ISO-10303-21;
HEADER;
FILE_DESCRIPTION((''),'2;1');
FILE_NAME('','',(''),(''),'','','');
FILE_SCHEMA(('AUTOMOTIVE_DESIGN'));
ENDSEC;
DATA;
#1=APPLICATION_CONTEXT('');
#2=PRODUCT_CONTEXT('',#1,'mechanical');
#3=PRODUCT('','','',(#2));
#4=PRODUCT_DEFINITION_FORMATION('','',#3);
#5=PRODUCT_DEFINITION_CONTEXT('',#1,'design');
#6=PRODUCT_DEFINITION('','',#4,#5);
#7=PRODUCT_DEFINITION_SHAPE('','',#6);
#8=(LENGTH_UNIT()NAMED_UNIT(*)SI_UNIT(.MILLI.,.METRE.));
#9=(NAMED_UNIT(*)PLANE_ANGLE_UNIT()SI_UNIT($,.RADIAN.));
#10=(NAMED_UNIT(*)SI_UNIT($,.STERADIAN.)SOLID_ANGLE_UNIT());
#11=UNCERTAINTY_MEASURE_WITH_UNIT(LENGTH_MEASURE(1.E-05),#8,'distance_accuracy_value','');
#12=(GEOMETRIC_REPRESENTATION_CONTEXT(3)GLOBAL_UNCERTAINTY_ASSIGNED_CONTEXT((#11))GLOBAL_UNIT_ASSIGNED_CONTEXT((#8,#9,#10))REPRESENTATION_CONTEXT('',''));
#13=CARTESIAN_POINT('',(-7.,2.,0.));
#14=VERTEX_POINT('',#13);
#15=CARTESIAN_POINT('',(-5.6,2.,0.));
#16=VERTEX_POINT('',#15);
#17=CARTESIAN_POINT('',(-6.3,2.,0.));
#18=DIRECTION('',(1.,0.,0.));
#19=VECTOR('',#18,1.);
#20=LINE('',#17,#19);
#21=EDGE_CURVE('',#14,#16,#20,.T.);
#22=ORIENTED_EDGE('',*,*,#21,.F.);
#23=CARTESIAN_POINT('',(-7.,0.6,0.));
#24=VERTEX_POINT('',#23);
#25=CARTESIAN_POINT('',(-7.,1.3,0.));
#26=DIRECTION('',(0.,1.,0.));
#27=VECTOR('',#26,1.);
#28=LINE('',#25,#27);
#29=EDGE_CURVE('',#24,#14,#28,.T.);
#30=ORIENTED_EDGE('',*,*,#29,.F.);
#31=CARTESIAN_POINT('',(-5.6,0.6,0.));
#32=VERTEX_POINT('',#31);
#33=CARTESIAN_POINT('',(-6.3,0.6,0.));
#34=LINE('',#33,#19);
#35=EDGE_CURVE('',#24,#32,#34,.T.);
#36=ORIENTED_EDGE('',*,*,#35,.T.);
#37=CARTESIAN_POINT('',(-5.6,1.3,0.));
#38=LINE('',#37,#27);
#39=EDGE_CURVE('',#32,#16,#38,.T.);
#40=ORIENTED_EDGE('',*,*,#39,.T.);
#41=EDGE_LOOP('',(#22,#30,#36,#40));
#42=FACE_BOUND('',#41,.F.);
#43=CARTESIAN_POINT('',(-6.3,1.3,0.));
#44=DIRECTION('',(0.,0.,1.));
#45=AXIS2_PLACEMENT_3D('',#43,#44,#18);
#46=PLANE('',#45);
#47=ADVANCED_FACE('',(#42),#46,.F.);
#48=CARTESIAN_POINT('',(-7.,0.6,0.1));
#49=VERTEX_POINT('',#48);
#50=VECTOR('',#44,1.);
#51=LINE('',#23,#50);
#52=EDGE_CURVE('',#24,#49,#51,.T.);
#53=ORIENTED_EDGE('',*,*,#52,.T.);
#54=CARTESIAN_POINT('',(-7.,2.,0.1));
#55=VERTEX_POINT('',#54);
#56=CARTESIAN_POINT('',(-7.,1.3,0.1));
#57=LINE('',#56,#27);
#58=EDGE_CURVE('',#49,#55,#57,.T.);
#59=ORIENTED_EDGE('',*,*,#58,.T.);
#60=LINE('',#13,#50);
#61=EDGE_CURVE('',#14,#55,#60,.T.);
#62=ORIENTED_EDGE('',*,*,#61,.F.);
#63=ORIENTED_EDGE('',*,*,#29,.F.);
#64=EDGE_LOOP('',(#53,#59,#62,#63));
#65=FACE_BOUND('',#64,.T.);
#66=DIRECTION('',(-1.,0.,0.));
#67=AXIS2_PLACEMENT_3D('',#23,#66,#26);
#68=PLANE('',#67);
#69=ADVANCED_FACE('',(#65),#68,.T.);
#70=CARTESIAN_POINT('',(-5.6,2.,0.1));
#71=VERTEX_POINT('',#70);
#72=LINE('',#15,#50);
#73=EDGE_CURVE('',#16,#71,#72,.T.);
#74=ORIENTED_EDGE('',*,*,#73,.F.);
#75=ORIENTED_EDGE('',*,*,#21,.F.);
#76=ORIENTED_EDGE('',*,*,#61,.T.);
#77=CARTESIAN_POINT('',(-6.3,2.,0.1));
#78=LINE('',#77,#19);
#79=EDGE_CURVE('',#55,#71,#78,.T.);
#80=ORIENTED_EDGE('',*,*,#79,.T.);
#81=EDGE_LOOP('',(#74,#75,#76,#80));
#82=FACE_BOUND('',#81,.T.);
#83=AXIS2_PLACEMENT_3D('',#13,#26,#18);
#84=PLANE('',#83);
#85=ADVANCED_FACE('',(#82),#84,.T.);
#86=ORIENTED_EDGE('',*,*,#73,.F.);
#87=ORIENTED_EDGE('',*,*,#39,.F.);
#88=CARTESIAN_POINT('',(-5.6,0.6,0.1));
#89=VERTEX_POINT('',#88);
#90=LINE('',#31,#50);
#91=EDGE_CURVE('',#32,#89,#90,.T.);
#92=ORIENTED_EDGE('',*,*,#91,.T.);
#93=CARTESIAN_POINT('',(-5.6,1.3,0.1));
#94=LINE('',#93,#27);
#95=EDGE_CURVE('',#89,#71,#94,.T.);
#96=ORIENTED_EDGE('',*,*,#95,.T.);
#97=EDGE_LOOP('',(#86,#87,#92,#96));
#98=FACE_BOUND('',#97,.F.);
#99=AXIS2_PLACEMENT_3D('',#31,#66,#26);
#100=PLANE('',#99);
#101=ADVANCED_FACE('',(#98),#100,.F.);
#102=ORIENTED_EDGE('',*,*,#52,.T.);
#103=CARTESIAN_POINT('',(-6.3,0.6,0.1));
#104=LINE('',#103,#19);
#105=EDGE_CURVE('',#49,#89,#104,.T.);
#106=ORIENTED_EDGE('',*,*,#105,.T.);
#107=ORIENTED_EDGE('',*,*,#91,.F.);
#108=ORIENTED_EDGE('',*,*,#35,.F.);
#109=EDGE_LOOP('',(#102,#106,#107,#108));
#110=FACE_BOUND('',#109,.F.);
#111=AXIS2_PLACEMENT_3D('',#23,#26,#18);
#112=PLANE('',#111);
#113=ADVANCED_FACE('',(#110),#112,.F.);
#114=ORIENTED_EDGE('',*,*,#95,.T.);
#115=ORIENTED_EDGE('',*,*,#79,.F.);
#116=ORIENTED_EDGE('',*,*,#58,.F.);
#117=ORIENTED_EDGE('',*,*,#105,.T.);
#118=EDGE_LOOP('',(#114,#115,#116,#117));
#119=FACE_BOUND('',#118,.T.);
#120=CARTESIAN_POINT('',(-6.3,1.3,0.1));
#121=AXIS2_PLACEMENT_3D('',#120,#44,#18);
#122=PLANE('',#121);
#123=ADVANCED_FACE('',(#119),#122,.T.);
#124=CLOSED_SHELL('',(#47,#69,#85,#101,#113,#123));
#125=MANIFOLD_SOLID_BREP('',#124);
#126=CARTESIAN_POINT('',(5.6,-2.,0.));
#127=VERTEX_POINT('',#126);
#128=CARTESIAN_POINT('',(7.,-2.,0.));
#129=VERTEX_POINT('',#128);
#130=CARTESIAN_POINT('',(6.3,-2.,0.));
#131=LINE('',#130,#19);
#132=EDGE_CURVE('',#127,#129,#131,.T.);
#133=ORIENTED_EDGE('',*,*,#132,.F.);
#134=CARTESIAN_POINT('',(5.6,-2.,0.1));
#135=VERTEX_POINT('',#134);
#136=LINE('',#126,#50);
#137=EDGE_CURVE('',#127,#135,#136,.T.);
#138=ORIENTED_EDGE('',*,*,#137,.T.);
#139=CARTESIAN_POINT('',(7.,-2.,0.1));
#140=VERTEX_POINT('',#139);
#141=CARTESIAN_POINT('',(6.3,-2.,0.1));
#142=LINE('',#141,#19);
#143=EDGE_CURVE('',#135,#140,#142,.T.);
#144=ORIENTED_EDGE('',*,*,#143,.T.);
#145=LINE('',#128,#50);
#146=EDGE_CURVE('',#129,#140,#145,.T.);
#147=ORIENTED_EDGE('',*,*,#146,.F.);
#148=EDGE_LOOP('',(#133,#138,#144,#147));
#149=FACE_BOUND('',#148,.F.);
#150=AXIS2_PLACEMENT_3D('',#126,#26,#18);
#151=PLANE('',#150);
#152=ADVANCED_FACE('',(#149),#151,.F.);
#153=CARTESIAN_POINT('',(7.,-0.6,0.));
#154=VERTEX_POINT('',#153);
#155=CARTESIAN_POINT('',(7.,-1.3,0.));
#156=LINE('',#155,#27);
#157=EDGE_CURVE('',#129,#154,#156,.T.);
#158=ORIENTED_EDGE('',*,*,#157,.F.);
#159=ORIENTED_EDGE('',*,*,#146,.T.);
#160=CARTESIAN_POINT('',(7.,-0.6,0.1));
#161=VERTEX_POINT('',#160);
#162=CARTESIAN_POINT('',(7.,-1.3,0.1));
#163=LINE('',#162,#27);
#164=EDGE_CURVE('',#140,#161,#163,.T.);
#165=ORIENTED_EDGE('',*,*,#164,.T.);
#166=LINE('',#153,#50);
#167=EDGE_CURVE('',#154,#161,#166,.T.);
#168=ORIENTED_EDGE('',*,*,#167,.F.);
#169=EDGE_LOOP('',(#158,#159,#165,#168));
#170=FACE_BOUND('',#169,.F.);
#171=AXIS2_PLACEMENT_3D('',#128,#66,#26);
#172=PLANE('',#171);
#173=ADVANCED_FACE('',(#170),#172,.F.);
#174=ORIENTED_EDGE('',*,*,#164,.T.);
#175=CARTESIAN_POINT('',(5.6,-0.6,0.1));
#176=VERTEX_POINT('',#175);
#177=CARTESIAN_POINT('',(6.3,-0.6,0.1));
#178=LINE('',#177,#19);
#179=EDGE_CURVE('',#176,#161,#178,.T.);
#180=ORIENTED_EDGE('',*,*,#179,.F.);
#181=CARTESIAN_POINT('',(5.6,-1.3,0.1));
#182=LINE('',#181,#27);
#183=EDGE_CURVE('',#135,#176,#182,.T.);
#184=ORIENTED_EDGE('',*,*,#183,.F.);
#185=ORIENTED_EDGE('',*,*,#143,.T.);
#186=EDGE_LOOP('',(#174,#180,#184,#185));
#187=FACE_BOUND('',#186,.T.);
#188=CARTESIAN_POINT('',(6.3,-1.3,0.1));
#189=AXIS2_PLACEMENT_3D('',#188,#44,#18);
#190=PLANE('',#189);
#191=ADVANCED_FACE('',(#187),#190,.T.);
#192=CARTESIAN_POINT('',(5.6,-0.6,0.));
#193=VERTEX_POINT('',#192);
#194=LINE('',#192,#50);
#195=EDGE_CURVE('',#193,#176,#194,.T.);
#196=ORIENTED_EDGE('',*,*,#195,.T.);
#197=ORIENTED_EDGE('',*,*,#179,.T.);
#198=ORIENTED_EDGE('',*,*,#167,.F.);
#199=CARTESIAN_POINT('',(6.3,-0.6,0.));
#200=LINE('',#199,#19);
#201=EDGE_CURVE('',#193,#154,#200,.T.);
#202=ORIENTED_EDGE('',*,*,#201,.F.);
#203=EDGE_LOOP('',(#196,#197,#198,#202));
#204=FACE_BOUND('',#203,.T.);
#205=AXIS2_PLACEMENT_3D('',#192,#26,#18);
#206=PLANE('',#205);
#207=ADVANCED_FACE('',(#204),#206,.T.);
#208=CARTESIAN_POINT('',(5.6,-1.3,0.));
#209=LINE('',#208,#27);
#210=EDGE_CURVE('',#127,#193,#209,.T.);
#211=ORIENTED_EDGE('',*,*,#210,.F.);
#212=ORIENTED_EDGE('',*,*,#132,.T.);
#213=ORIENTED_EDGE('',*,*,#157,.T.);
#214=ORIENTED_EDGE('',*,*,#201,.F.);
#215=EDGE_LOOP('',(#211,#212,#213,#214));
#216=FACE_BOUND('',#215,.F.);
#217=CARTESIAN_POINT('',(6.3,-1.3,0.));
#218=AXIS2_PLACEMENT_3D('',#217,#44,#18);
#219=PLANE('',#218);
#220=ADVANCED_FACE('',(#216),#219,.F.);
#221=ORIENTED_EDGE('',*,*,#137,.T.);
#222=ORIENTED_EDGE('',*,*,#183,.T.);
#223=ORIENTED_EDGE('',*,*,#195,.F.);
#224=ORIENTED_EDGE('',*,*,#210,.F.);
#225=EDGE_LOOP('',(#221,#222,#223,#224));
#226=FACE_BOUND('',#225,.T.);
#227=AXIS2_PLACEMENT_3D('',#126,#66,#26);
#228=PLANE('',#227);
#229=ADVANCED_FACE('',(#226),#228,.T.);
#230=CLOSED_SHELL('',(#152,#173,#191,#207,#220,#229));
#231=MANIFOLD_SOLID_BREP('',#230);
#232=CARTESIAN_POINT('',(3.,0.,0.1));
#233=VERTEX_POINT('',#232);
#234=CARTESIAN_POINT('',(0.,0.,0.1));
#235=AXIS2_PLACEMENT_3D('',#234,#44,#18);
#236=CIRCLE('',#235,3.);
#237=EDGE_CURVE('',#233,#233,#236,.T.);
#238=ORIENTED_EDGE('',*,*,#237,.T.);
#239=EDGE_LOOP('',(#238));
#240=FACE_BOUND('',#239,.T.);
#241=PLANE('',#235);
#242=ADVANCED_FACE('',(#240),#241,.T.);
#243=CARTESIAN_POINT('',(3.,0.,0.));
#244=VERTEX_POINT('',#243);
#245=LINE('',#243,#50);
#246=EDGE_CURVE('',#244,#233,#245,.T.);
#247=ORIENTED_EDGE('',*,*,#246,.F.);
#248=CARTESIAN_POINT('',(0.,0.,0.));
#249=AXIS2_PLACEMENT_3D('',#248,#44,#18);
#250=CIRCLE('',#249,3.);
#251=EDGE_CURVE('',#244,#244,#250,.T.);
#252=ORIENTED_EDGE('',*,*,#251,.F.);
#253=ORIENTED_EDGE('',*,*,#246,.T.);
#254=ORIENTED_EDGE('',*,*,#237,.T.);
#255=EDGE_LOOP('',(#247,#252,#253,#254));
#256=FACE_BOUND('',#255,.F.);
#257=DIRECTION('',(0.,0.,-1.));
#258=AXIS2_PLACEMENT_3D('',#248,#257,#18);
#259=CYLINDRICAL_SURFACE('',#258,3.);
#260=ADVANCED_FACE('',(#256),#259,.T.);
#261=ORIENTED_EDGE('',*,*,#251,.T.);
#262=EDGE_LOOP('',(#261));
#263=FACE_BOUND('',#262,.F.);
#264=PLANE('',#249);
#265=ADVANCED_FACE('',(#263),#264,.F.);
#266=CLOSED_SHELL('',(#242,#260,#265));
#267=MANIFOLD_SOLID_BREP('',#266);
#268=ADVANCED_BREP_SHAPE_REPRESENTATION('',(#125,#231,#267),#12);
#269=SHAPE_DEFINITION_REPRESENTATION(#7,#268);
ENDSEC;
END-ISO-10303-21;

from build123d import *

# Parameters (mm, degrees)
F0_R     = 3
F0_W     = 1.4
F0_H     = 1.4
F1_DEPTH = 0.1


with BuildPart() as f1:
    # F0 (on Top) → F1 (new body)
    with BuildSketch(Plane.XY):
        Circle(F0_R)
        with Locations((6.3, -1.3)):
            Rectangle(F0_W, F0_H)
        with Locations((-6.3, 1.3)):
            Rectangle(F0_W, F0_H)
    extrude(amount=F1_DEPTH)


solid = f1.part
